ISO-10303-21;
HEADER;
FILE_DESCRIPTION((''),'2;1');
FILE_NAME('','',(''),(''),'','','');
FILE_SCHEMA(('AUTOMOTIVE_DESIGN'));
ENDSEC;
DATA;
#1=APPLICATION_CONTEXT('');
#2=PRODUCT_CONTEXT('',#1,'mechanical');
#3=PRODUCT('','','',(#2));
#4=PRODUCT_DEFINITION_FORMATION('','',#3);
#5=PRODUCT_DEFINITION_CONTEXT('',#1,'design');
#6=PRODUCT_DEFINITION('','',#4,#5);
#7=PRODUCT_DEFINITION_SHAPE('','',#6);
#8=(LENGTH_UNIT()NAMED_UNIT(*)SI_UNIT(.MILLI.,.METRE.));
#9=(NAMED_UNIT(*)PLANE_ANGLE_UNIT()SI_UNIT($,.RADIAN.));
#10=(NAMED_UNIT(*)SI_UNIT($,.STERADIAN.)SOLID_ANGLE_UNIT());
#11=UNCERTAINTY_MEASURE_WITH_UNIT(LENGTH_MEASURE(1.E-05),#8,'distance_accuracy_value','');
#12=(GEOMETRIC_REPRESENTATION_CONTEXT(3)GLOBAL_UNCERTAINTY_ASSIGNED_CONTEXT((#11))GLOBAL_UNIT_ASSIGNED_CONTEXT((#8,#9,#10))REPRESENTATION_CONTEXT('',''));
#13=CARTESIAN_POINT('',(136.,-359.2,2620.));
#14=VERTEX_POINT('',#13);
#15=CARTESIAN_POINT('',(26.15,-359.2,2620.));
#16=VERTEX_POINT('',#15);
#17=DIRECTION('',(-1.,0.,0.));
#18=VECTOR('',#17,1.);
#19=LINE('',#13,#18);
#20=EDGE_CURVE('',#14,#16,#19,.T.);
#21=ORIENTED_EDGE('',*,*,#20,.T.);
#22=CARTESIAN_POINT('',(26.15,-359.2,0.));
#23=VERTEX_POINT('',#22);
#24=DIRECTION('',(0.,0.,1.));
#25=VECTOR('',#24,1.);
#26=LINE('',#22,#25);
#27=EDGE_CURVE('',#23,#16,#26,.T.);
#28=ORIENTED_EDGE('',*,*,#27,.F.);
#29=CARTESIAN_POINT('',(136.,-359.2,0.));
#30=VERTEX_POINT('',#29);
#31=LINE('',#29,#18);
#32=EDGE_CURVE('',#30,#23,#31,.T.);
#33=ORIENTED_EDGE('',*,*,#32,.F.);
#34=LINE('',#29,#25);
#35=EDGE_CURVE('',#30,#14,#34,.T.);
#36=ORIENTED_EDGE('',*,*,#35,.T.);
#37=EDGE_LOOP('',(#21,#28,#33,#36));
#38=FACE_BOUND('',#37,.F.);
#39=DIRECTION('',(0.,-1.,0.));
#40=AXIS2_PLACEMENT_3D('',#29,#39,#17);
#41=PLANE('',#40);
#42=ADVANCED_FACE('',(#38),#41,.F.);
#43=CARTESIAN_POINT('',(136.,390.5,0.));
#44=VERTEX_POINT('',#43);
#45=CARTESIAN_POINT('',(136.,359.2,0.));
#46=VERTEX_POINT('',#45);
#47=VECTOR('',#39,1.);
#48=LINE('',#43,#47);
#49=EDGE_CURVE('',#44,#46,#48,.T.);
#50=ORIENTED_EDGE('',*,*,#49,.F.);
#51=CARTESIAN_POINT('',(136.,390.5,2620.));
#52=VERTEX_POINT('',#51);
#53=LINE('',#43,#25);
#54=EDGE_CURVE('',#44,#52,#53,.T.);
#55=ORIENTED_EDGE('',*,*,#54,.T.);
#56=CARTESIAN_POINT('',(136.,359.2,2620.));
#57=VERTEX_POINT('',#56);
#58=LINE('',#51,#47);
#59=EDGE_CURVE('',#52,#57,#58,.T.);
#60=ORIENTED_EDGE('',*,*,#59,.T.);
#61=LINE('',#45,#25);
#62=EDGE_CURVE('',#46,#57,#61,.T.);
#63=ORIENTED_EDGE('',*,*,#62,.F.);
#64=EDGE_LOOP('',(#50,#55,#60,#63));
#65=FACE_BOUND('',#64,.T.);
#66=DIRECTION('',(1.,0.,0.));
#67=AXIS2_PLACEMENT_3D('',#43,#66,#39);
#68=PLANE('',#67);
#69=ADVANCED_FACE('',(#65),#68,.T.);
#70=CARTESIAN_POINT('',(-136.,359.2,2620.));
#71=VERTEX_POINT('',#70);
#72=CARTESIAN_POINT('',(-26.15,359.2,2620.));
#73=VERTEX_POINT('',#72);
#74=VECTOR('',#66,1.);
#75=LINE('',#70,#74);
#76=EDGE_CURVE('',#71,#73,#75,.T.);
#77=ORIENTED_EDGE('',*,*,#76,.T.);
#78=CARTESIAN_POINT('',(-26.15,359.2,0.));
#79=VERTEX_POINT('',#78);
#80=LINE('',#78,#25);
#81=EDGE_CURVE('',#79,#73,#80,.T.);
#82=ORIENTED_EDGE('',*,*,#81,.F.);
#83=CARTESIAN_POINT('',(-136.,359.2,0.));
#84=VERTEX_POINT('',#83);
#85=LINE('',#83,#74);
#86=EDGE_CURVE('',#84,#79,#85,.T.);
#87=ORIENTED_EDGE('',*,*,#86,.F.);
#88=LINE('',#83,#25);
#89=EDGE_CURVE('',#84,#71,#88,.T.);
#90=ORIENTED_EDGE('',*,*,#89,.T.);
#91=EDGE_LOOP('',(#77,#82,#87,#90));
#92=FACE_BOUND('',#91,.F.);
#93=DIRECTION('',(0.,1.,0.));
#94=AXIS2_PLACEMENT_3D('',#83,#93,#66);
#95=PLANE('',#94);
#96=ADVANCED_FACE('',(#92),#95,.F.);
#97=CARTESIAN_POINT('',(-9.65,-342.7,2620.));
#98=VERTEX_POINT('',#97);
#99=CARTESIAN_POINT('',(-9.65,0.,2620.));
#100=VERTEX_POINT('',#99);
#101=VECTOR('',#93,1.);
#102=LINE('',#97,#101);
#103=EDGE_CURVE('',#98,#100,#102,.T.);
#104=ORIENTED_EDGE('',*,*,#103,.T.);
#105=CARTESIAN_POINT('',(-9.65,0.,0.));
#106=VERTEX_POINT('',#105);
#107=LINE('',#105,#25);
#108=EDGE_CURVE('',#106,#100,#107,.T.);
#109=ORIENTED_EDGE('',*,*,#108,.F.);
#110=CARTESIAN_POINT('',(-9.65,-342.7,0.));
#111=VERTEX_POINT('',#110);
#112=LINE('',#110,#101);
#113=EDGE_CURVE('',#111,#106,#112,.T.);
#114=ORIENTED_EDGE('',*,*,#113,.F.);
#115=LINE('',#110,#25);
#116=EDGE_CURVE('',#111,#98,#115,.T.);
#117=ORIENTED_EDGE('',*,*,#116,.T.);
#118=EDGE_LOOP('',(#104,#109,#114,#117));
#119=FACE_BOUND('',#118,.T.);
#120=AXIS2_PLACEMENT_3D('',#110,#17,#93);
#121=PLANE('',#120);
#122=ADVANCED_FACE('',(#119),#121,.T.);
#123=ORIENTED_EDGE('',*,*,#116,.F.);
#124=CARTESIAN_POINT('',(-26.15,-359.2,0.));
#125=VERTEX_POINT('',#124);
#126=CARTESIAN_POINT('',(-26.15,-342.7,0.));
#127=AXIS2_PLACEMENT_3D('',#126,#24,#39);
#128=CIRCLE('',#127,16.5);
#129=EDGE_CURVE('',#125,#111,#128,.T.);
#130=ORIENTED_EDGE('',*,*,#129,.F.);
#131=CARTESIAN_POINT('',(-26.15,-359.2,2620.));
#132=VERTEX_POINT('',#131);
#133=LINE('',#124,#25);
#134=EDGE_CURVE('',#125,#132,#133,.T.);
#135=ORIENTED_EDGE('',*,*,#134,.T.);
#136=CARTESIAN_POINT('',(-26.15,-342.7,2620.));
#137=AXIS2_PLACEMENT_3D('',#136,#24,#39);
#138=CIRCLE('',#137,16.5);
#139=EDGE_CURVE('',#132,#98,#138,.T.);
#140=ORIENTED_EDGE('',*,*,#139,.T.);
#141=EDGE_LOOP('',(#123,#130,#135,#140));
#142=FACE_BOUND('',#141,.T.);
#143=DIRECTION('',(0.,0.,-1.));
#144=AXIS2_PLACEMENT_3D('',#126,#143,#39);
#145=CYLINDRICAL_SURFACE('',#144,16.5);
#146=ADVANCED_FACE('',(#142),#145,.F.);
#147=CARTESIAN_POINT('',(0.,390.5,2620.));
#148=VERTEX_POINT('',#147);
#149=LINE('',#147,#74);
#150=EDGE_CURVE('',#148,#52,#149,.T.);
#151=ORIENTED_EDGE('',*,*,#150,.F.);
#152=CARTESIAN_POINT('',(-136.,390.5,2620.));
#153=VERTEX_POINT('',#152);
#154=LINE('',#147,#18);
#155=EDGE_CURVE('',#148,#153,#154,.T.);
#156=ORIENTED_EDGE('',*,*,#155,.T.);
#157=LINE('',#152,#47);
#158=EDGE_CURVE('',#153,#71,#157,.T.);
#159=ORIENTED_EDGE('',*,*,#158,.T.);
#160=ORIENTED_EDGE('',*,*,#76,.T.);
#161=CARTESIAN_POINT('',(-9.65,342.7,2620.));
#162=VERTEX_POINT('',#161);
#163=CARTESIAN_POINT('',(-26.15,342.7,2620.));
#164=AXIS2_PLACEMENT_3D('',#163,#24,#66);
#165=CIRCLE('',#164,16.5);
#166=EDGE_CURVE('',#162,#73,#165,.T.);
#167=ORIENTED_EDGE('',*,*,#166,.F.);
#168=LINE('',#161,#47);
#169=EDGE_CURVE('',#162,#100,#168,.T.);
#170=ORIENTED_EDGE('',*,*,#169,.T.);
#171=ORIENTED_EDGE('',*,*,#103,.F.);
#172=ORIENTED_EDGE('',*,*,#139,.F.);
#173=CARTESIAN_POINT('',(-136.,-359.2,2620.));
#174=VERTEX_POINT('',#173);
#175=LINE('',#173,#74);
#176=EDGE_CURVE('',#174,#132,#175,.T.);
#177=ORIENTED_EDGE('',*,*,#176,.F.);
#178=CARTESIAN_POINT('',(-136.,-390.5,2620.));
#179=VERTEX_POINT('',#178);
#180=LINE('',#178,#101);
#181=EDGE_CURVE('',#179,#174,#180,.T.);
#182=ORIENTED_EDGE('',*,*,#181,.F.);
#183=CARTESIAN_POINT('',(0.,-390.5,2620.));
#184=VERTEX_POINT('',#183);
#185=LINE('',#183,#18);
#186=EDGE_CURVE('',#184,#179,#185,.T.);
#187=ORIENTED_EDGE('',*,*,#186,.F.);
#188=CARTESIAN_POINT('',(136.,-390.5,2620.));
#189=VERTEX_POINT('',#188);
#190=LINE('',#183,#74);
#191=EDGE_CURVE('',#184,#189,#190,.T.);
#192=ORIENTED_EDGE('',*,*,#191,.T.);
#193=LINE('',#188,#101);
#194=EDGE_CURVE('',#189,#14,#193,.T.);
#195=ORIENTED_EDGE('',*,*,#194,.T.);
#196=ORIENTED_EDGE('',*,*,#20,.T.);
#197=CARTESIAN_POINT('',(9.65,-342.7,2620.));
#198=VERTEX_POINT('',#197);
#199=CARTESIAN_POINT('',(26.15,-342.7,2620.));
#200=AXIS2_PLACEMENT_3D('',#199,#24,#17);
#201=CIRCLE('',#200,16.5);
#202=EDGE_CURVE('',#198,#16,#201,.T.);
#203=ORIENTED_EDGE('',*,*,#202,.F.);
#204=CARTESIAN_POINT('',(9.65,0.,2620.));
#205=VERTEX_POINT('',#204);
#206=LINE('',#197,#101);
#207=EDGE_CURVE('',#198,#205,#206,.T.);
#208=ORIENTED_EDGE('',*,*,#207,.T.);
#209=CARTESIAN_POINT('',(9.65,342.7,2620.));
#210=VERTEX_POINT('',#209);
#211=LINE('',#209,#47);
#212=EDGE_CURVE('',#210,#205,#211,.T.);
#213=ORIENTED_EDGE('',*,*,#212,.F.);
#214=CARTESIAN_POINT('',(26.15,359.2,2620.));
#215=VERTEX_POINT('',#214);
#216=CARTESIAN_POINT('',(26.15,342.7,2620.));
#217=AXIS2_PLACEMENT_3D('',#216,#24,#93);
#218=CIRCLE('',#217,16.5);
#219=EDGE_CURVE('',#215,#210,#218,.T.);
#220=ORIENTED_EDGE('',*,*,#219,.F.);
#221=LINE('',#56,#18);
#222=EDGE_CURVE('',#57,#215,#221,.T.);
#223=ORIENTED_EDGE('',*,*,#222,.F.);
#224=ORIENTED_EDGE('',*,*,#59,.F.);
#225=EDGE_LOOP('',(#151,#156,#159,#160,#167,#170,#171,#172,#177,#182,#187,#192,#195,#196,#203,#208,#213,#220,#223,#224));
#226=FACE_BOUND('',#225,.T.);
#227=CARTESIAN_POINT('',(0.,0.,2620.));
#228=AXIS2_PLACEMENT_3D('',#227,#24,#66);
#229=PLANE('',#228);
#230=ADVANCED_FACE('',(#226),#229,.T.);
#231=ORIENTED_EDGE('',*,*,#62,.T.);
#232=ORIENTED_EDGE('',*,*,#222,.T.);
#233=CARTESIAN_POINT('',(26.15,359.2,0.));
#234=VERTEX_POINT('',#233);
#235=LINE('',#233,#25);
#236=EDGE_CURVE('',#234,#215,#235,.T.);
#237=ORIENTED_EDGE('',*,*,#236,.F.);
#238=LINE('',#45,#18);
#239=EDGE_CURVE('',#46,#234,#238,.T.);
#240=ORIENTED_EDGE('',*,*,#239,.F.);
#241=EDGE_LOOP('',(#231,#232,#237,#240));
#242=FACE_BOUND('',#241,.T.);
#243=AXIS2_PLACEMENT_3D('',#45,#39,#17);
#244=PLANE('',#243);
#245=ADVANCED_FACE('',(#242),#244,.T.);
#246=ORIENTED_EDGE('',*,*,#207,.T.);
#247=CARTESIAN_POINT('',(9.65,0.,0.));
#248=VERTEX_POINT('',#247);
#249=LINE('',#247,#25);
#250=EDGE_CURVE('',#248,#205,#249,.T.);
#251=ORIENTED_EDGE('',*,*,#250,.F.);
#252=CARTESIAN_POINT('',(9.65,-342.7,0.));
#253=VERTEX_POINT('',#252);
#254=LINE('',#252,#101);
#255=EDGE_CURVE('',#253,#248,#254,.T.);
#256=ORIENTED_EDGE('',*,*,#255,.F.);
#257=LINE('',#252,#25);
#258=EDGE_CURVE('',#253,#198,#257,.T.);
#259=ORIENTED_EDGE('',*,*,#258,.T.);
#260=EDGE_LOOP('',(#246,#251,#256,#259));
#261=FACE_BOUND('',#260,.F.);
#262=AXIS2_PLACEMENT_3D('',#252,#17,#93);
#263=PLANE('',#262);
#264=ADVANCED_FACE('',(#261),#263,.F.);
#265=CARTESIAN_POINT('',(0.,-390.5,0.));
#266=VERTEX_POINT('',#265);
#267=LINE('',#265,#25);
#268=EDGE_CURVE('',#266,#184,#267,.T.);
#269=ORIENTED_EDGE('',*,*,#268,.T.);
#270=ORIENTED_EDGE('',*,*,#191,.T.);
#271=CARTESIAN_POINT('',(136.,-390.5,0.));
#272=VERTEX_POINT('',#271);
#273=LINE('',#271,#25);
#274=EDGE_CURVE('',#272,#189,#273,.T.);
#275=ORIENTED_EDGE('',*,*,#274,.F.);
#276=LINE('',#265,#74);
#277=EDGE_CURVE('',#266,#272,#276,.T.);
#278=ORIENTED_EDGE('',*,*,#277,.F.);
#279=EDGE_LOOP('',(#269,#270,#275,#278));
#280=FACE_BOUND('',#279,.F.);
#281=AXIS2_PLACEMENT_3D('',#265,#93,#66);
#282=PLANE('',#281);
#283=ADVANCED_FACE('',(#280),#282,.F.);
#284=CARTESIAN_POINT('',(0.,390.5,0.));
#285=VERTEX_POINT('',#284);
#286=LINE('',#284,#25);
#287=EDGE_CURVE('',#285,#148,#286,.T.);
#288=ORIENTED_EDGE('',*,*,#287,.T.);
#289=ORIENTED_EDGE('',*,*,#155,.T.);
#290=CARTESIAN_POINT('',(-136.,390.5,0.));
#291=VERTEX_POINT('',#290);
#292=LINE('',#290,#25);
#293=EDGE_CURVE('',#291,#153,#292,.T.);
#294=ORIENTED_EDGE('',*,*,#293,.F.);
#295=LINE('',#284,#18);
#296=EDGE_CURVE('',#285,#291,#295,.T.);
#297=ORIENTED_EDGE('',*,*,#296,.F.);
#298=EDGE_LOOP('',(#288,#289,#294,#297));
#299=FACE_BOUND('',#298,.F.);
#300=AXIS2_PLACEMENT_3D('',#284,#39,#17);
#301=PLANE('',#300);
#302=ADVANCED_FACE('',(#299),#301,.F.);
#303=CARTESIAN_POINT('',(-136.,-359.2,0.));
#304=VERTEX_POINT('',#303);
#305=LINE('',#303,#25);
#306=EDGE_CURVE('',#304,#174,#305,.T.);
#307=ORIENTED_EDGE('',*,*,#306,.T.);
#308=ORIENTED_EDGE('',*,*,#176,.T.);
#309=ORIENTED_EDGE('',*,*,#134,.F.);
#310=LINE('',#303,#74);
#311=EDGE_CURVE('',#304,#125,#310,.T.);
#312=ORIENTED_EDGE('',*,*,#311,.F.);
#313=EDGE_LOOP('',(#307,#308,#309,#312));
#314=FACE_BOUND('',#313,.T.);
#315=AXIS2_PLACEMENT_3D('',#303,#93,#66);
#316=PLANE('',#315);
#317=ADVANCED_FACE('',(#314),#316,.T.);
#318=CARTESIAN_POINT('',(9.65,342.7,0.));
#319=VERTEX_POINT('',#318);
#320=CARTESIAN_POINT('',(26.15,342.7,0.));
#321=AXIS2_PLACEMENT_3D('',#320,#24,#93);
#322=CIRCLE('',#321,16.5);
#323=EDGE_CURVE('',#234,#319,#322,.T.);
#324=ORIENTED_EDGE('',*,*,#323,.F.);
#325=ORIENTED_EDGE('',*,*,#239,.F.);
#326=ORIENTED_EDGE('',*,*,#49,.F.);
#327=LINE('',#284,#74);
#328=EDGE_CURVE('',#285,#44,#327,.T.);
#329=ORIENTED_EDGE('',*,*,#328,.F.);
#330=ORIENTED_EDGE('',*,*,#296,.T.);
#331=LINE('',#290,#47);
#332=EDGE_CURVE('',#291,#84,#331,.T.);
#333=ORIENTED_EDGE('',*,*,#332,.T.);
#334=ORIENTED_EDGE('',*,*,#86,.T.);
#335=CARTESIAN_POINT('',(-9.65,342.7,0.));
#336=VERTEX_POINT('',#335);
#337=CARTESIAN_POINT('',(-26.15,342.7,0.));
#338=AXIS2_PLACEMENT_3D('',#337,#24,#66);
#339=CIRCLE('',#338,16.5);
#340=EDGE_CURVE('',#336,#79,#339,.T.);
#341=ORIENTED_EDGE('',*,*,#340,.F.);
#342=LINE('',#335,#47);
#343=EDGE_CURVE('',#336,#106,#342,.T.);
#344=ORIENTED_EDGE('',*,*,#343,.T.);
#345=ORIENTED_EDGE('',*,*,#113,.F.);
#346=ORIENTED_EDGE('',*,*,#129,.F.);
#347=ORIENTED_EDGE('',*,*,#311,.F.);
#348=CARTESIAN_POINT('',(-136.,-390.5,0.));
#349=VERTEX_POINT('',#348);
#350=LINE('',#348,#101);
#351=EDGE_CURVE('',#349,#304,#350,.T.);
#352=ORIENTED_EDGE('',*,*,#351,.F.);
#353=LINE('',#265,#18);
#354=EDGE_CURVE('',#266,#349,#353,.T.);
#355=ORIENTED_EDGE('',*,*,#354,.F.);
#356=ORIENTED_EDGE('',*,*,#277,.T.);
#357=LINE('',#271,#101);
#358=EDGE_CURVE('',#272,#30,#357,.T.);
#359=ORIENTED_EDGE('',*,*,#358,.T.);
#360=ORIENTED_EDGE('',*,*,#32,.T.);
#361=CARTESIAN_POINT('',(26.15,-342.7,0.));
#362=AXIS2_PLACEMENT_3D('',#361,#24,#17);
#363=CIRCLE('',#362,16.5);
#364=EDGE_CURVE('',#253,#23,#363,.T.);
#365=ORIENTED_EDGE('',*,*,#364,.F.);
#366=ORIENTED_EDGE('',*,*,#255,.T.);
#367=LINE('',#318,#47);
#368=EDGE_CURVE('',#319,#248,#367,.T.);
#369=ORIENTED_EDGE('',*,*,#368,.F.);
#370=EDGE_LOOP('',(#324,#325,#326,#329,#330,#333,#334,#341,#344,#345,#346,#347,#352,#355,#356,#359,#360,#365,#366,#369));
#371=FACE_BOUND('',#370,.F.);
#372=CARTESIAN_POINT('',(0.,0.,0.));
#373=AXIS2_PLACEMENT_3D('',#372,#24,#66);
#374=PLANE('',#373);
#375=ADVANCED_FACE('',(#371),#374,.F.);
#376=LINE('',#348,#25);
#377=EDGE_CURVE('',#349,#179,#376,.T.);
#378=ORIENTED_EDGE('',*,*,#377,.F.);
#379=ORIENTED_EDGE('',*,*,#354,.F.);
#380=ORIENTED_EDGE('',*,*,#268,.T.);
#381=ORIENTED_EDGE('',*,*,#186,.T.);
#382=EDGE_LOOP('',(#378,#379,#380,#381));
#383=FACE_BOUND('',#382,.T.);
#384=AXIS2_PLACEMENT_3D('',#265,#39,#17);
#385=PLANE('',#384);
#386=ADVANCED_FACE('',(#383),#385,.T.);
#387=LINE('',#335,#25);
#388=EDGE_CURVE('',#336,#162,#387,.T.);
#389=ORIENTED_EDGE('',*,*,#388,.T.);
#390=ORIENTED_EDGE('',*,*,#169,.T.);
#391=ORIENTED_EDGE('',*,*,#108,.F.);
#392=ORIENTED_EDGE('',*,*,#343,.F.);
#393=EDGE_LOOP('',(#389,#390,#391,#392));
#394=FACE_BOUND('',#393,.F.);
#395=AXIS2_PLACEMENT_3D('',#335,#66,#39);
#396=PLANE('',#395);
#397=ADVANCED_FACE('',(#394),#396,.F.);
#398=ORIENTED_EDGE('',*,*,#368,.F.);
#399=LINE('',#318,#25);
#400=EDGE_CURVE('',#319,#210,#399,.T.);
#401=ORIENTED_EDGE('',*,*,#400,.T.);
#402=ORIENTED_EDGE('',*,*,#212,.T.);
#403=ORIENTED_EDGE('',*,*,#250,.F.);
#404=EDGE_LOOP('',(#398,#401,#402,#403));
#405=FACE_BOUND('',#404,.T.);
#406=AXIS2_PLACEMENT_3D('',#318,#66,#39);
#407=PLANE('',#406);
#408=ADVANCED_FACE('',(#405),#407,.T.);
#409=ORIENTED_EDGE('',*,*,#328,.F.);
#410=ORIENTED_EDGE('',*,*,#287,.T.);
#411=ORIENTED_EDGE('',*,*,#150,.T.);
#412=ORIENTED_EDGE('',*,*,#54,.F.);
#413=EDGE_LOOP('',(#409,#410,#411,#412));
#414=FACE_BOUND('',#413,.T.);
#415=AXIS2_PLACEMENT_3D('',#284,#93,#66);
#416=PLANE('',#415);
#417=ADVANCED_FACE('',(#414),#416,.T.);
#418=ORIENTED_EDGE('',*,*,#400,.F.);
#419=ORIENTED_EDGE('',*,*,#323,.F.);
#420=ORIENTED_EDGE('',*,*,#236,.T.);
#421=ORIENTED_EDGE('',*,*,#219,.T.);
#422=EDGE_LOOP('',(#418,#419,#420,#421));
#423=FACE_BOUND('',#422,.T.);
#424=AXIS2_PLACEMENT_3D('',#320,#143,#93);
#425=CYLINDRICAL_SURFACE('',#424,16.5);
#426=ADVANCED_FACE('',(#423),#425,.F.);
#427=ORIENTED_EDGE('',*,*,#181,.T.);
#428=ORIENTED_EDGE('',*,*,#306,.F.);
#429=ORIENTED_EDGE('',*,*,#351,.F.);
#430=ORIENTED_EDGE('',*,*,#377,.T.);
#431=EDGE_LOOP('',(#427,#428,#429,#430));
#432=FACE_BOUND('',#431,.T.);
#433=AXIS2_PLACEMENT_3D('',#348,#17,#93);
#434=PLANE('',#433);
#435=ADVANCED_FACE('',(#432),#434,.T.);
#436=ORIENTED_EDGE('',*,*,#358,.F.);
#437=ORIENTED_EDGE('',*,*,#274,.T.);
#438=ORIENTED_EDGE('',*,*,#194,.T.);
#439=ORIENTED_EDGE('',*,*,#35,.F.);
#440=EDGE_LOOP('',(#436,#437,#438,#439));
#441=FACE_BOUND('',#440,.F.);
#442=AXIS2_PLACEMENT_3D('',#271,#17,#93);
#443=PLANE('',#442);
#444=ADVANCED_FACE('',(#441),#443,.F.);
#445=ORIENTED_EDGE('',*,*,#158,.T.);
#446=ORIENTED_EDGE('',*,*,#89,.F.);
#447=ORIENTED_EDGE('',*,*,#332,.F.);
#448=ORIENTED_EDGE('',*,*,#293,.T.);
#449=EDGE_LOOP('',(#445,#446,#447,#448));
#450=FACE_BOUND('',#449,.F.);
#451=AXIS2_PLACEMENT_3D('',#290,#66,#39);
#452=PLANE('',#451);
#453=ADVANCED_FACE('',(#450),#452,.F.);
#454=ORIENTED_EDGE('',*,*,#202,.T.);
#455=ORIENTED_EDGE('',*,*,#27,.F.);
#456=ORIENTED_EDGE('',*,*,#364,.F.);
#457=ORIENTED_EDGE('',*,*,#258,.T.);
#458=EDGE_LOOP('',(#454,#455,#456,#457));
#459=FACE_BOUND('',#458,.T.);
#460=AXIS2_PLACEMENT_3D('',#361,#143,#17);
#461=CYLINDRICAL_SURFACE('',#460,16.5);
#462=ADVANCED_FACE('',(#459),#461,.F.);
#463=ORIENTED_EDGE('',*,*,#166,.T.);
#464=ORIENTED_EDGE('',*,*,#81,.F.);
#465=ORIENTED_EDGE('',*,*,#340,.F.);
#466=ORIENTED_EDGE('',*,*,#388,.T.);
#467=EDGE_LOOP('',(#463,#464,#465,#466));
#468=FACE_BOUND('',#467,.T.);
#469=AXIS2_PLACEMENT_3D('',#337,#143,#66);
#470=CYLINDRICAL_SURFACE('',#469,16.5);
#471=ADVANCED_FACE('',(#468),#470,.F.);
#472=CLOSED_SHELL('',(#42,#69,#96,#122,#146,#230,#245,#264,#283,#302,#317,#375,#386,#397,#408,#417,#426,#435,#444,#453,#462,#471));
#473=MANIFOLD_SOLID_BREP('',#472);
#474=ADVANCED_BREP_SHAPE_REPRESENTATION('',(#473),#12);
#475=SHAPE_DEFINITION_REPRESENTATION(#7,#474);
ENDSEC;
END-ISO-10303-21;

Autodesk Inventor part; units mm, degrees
ref_plane "YZ Plane" through (0, 0, 0) normal (1, 0, 0) x (0, 1, 0)
ref_plane "Start plane" through (0, 0, 0) normal (0, 0, 1) x (1, 0, 0)
ref_plane "End plane" through (0, 0, 2620) normal (0, 0, 1) x (1, 0, 0)
sketch "Sketch" plane through (0, 0, 0) normal (0, 0, 1) x (1, 0, 0)
  line L0 (-136, -390.5) -> (-136, -359.2)
  line L1 (-136, -359.2) -> (-26.15, -359.2)
  line L2 (-9.65, -342.7) -> (-9.65, 0)
  line L3 (-9.65, 0) -> (0, 0) construction
  line L4 (0, 0) -> (0, -390.5) construction
  line L5 (0, -390.5) -> (-136, -390.5)
  line L6 (-60, 0) -> (80, 0) construction
  line L7 (0, -60) -> (0, 80) construction
  line L8 (136, -390.5) -> (136, -359.2)
  line L9 (136, -359.2) -> (26.15, -359.2)
  line L10 (9.65, -342.7) -> (9.65, 0)
  line L11 (9.65, 0) -> (0, 0) construction
  line L12 (0, -390.5) -> (136, -390.5)
  line L13 (-136, 390.5) -> (-136, 359.2)
  line L14 (-136, 359.2) -> (-26.15, 359.2)
  line L15 (-9.65, 342.7) -> (-9.65, 0)
  line L16 (0, 390.5) -> (-136, 390.5)
  line L17 (136, 390.5) -> (136, 359.2)
  line L18 (136, 359.2) -> (26.15, 359.2)
  line L19 (0, 390.5) -> (136, 390.5)
  line L20 (9.65, 342.7) -> (9.65, 0)
  arc A0 (-9.65, 342.7) -> (-26.15, 359.2) centre (-26.15, 342.7) ccw
  arc A1 (26.15, 359.2) -> (9.65, 342.7) centre (26.15, 342.7) ccw
  arc A2 (9.65, -342.7) -> (26.15, -359.2) centre (26.15, -342.7) ccw
  arc A3 (-26.15, -359.2) -> (-9.65, -342.7) centre (-26.15, -342.7) ccw
  line L21 (0, 108) -> (0, -88) construction
  line L22 (-88, 0) -> (108, 0) construction
  point P0 (-9.65, -359.2)
  point P1 (9.65, -359.2)
  point P2 (-9.65, 359.2)
  point P3 (9.65, 359.2)
  dimension "d1" = 390.5
  dimension "d2" = 31.3
  dimension "d3" = 136
  dimension "d4" = 9.65
  dimension "d10" = 16.5
extrude "Body" add sketch "Sketch" along normal up to surface (2620 mm away) from surface at 0
sketch "Sketch4" plane through (0, 0, 0) normal (0, 0, 1) x (1, 0, 0)
  line L0 (0, 0) -> (10, 0)
ref_plane "Work Plane3" through (0, 0, 0) normal (0, -1, 0) x (1, 0, 0)
sketch "Sketch5" plane through (0, 0, 0) normal (0, -1, 0) x (1, 0, 0)
  line L0 (-2, 0) -> (12, 0) projected
  line L1 (-2, 2620) -> (12, 2620) projected
  dimension "d14" = 2620
equation "\"d1\" = 0.5 * G_H"
equation "\"d2\" = G_T1"
equation "\"d3\" = 0.5 * G_W"
equation "\"d4\" = 0.5 * G_T"
equation "\"d10\" = G_IR"
equation "\"d5\" = G_L"
equation "\"G_W\" = 272"
equation "\"G_H\" = 781"
equation "\"G_T\" = 19.3"
equation "\"G_T1\" = 31.3"
equation "\"G_IR\" = 16.5"
equation "\"G_L\" = d14"
equation "\"G_OFFSET_START\" = 0"
equation "\"G_OFFSET_END\" = 0"
properties part number "AS 3679-1990 - 760 UB - 244 - 2620" material "Steel, Mild"
